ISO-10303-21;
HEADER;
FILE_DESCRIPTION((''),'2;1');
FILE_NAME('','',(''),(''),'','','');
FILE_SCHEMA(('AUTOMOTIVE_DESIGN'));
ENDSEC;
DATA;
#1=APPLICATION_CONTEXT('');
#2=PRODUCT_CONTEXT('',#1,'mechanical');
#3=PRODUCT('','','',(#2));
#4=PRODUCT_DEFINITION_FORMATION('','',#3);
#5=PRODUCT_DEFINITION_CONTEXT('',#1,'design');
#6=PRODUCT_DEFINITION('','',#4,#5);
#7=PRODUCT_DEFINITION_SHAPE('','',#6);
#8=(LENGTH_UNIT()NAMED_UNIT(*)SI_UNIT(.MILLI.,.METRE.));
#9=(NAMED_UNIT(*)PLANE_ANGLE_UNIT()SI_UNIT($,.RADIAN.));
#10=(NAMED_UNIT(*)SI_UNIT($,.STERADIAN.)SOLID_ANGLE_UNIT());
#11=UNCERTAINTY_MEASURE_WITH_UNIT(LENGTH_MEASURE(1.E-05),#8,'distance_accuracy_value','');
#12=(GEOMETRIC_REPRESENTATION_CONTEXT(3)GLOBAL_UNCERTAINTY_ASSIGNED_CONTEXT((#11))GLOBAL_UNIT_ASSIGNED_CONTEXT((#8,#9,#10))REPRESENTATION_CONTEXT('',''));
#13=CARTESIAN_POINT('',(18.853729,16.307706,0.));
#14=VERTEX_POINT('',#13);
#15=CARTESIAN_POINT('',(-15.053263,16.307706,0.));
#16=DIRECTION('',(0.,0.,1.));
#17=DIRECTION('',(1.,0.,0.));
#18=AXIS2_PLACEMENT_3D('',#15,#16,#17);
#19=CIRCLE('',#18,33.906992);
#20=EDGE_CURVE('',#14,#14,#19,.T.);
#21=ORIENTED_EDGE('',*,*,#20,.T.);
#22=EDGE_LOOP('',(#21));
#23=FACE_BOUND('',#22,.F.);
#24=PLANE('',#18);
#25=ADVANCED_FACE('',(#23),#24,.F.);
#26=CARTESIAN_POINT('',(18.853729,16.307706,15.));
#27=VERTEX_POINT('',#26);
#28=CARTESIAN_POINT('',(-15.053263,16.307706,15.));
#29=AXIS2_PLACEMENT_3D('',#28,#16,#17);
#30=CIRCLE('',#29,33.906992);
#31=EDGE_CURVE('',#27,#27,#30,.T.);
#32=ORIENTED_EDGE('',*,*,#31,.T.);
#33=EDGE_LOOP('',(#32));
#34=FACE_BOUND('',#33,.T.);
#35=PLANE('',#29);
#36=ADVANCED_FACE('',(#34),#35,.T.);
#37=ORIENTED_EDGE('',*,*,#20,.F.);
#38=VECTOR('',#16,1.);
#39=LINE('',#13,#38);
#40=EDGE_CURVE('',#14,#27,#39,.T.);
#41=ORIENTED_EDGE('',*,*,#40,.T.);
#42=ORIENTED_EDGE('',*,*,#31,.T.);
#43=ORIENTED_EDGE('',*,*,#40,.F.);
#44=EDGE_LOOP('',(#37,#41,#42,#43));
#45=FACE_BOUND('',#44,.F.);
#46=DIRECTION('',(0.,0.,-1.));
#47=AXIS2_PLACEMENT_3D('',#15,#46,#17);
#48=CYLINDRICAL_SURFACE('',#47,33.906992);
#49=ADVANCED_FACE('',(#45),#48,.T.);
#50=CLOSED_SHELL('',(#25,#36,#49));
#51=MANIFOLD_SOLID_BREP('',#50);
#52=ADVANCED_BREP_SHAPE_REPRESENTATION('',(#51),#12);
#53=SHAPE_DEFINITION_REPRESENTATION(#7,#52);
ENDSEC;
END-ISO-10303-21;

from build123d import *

# Parameters (mm, degrees)
F0_R     = 33.906992
F1_DEPTH = 15
F2_R     = 27.975823
F3_DEPTH = 10


with BuildPart() as f1:
    # F0 (on Top) → F1 (new body)
    with BuildSketch(Plane.XY):
        with Locations((-15.053263, 16.307706)):
            Circle(F0_R)
    extrude(amount=F1_DEPTH)

    # F2 (on face) → F3 (join)
    with BuildSketch(Plane.XY.offset(15)):
        with Locations((-15.053263, 16.307706)):
            Circle(F2_R)
    extrude(amount=-F3_DEPTH)


solid = f1.part
